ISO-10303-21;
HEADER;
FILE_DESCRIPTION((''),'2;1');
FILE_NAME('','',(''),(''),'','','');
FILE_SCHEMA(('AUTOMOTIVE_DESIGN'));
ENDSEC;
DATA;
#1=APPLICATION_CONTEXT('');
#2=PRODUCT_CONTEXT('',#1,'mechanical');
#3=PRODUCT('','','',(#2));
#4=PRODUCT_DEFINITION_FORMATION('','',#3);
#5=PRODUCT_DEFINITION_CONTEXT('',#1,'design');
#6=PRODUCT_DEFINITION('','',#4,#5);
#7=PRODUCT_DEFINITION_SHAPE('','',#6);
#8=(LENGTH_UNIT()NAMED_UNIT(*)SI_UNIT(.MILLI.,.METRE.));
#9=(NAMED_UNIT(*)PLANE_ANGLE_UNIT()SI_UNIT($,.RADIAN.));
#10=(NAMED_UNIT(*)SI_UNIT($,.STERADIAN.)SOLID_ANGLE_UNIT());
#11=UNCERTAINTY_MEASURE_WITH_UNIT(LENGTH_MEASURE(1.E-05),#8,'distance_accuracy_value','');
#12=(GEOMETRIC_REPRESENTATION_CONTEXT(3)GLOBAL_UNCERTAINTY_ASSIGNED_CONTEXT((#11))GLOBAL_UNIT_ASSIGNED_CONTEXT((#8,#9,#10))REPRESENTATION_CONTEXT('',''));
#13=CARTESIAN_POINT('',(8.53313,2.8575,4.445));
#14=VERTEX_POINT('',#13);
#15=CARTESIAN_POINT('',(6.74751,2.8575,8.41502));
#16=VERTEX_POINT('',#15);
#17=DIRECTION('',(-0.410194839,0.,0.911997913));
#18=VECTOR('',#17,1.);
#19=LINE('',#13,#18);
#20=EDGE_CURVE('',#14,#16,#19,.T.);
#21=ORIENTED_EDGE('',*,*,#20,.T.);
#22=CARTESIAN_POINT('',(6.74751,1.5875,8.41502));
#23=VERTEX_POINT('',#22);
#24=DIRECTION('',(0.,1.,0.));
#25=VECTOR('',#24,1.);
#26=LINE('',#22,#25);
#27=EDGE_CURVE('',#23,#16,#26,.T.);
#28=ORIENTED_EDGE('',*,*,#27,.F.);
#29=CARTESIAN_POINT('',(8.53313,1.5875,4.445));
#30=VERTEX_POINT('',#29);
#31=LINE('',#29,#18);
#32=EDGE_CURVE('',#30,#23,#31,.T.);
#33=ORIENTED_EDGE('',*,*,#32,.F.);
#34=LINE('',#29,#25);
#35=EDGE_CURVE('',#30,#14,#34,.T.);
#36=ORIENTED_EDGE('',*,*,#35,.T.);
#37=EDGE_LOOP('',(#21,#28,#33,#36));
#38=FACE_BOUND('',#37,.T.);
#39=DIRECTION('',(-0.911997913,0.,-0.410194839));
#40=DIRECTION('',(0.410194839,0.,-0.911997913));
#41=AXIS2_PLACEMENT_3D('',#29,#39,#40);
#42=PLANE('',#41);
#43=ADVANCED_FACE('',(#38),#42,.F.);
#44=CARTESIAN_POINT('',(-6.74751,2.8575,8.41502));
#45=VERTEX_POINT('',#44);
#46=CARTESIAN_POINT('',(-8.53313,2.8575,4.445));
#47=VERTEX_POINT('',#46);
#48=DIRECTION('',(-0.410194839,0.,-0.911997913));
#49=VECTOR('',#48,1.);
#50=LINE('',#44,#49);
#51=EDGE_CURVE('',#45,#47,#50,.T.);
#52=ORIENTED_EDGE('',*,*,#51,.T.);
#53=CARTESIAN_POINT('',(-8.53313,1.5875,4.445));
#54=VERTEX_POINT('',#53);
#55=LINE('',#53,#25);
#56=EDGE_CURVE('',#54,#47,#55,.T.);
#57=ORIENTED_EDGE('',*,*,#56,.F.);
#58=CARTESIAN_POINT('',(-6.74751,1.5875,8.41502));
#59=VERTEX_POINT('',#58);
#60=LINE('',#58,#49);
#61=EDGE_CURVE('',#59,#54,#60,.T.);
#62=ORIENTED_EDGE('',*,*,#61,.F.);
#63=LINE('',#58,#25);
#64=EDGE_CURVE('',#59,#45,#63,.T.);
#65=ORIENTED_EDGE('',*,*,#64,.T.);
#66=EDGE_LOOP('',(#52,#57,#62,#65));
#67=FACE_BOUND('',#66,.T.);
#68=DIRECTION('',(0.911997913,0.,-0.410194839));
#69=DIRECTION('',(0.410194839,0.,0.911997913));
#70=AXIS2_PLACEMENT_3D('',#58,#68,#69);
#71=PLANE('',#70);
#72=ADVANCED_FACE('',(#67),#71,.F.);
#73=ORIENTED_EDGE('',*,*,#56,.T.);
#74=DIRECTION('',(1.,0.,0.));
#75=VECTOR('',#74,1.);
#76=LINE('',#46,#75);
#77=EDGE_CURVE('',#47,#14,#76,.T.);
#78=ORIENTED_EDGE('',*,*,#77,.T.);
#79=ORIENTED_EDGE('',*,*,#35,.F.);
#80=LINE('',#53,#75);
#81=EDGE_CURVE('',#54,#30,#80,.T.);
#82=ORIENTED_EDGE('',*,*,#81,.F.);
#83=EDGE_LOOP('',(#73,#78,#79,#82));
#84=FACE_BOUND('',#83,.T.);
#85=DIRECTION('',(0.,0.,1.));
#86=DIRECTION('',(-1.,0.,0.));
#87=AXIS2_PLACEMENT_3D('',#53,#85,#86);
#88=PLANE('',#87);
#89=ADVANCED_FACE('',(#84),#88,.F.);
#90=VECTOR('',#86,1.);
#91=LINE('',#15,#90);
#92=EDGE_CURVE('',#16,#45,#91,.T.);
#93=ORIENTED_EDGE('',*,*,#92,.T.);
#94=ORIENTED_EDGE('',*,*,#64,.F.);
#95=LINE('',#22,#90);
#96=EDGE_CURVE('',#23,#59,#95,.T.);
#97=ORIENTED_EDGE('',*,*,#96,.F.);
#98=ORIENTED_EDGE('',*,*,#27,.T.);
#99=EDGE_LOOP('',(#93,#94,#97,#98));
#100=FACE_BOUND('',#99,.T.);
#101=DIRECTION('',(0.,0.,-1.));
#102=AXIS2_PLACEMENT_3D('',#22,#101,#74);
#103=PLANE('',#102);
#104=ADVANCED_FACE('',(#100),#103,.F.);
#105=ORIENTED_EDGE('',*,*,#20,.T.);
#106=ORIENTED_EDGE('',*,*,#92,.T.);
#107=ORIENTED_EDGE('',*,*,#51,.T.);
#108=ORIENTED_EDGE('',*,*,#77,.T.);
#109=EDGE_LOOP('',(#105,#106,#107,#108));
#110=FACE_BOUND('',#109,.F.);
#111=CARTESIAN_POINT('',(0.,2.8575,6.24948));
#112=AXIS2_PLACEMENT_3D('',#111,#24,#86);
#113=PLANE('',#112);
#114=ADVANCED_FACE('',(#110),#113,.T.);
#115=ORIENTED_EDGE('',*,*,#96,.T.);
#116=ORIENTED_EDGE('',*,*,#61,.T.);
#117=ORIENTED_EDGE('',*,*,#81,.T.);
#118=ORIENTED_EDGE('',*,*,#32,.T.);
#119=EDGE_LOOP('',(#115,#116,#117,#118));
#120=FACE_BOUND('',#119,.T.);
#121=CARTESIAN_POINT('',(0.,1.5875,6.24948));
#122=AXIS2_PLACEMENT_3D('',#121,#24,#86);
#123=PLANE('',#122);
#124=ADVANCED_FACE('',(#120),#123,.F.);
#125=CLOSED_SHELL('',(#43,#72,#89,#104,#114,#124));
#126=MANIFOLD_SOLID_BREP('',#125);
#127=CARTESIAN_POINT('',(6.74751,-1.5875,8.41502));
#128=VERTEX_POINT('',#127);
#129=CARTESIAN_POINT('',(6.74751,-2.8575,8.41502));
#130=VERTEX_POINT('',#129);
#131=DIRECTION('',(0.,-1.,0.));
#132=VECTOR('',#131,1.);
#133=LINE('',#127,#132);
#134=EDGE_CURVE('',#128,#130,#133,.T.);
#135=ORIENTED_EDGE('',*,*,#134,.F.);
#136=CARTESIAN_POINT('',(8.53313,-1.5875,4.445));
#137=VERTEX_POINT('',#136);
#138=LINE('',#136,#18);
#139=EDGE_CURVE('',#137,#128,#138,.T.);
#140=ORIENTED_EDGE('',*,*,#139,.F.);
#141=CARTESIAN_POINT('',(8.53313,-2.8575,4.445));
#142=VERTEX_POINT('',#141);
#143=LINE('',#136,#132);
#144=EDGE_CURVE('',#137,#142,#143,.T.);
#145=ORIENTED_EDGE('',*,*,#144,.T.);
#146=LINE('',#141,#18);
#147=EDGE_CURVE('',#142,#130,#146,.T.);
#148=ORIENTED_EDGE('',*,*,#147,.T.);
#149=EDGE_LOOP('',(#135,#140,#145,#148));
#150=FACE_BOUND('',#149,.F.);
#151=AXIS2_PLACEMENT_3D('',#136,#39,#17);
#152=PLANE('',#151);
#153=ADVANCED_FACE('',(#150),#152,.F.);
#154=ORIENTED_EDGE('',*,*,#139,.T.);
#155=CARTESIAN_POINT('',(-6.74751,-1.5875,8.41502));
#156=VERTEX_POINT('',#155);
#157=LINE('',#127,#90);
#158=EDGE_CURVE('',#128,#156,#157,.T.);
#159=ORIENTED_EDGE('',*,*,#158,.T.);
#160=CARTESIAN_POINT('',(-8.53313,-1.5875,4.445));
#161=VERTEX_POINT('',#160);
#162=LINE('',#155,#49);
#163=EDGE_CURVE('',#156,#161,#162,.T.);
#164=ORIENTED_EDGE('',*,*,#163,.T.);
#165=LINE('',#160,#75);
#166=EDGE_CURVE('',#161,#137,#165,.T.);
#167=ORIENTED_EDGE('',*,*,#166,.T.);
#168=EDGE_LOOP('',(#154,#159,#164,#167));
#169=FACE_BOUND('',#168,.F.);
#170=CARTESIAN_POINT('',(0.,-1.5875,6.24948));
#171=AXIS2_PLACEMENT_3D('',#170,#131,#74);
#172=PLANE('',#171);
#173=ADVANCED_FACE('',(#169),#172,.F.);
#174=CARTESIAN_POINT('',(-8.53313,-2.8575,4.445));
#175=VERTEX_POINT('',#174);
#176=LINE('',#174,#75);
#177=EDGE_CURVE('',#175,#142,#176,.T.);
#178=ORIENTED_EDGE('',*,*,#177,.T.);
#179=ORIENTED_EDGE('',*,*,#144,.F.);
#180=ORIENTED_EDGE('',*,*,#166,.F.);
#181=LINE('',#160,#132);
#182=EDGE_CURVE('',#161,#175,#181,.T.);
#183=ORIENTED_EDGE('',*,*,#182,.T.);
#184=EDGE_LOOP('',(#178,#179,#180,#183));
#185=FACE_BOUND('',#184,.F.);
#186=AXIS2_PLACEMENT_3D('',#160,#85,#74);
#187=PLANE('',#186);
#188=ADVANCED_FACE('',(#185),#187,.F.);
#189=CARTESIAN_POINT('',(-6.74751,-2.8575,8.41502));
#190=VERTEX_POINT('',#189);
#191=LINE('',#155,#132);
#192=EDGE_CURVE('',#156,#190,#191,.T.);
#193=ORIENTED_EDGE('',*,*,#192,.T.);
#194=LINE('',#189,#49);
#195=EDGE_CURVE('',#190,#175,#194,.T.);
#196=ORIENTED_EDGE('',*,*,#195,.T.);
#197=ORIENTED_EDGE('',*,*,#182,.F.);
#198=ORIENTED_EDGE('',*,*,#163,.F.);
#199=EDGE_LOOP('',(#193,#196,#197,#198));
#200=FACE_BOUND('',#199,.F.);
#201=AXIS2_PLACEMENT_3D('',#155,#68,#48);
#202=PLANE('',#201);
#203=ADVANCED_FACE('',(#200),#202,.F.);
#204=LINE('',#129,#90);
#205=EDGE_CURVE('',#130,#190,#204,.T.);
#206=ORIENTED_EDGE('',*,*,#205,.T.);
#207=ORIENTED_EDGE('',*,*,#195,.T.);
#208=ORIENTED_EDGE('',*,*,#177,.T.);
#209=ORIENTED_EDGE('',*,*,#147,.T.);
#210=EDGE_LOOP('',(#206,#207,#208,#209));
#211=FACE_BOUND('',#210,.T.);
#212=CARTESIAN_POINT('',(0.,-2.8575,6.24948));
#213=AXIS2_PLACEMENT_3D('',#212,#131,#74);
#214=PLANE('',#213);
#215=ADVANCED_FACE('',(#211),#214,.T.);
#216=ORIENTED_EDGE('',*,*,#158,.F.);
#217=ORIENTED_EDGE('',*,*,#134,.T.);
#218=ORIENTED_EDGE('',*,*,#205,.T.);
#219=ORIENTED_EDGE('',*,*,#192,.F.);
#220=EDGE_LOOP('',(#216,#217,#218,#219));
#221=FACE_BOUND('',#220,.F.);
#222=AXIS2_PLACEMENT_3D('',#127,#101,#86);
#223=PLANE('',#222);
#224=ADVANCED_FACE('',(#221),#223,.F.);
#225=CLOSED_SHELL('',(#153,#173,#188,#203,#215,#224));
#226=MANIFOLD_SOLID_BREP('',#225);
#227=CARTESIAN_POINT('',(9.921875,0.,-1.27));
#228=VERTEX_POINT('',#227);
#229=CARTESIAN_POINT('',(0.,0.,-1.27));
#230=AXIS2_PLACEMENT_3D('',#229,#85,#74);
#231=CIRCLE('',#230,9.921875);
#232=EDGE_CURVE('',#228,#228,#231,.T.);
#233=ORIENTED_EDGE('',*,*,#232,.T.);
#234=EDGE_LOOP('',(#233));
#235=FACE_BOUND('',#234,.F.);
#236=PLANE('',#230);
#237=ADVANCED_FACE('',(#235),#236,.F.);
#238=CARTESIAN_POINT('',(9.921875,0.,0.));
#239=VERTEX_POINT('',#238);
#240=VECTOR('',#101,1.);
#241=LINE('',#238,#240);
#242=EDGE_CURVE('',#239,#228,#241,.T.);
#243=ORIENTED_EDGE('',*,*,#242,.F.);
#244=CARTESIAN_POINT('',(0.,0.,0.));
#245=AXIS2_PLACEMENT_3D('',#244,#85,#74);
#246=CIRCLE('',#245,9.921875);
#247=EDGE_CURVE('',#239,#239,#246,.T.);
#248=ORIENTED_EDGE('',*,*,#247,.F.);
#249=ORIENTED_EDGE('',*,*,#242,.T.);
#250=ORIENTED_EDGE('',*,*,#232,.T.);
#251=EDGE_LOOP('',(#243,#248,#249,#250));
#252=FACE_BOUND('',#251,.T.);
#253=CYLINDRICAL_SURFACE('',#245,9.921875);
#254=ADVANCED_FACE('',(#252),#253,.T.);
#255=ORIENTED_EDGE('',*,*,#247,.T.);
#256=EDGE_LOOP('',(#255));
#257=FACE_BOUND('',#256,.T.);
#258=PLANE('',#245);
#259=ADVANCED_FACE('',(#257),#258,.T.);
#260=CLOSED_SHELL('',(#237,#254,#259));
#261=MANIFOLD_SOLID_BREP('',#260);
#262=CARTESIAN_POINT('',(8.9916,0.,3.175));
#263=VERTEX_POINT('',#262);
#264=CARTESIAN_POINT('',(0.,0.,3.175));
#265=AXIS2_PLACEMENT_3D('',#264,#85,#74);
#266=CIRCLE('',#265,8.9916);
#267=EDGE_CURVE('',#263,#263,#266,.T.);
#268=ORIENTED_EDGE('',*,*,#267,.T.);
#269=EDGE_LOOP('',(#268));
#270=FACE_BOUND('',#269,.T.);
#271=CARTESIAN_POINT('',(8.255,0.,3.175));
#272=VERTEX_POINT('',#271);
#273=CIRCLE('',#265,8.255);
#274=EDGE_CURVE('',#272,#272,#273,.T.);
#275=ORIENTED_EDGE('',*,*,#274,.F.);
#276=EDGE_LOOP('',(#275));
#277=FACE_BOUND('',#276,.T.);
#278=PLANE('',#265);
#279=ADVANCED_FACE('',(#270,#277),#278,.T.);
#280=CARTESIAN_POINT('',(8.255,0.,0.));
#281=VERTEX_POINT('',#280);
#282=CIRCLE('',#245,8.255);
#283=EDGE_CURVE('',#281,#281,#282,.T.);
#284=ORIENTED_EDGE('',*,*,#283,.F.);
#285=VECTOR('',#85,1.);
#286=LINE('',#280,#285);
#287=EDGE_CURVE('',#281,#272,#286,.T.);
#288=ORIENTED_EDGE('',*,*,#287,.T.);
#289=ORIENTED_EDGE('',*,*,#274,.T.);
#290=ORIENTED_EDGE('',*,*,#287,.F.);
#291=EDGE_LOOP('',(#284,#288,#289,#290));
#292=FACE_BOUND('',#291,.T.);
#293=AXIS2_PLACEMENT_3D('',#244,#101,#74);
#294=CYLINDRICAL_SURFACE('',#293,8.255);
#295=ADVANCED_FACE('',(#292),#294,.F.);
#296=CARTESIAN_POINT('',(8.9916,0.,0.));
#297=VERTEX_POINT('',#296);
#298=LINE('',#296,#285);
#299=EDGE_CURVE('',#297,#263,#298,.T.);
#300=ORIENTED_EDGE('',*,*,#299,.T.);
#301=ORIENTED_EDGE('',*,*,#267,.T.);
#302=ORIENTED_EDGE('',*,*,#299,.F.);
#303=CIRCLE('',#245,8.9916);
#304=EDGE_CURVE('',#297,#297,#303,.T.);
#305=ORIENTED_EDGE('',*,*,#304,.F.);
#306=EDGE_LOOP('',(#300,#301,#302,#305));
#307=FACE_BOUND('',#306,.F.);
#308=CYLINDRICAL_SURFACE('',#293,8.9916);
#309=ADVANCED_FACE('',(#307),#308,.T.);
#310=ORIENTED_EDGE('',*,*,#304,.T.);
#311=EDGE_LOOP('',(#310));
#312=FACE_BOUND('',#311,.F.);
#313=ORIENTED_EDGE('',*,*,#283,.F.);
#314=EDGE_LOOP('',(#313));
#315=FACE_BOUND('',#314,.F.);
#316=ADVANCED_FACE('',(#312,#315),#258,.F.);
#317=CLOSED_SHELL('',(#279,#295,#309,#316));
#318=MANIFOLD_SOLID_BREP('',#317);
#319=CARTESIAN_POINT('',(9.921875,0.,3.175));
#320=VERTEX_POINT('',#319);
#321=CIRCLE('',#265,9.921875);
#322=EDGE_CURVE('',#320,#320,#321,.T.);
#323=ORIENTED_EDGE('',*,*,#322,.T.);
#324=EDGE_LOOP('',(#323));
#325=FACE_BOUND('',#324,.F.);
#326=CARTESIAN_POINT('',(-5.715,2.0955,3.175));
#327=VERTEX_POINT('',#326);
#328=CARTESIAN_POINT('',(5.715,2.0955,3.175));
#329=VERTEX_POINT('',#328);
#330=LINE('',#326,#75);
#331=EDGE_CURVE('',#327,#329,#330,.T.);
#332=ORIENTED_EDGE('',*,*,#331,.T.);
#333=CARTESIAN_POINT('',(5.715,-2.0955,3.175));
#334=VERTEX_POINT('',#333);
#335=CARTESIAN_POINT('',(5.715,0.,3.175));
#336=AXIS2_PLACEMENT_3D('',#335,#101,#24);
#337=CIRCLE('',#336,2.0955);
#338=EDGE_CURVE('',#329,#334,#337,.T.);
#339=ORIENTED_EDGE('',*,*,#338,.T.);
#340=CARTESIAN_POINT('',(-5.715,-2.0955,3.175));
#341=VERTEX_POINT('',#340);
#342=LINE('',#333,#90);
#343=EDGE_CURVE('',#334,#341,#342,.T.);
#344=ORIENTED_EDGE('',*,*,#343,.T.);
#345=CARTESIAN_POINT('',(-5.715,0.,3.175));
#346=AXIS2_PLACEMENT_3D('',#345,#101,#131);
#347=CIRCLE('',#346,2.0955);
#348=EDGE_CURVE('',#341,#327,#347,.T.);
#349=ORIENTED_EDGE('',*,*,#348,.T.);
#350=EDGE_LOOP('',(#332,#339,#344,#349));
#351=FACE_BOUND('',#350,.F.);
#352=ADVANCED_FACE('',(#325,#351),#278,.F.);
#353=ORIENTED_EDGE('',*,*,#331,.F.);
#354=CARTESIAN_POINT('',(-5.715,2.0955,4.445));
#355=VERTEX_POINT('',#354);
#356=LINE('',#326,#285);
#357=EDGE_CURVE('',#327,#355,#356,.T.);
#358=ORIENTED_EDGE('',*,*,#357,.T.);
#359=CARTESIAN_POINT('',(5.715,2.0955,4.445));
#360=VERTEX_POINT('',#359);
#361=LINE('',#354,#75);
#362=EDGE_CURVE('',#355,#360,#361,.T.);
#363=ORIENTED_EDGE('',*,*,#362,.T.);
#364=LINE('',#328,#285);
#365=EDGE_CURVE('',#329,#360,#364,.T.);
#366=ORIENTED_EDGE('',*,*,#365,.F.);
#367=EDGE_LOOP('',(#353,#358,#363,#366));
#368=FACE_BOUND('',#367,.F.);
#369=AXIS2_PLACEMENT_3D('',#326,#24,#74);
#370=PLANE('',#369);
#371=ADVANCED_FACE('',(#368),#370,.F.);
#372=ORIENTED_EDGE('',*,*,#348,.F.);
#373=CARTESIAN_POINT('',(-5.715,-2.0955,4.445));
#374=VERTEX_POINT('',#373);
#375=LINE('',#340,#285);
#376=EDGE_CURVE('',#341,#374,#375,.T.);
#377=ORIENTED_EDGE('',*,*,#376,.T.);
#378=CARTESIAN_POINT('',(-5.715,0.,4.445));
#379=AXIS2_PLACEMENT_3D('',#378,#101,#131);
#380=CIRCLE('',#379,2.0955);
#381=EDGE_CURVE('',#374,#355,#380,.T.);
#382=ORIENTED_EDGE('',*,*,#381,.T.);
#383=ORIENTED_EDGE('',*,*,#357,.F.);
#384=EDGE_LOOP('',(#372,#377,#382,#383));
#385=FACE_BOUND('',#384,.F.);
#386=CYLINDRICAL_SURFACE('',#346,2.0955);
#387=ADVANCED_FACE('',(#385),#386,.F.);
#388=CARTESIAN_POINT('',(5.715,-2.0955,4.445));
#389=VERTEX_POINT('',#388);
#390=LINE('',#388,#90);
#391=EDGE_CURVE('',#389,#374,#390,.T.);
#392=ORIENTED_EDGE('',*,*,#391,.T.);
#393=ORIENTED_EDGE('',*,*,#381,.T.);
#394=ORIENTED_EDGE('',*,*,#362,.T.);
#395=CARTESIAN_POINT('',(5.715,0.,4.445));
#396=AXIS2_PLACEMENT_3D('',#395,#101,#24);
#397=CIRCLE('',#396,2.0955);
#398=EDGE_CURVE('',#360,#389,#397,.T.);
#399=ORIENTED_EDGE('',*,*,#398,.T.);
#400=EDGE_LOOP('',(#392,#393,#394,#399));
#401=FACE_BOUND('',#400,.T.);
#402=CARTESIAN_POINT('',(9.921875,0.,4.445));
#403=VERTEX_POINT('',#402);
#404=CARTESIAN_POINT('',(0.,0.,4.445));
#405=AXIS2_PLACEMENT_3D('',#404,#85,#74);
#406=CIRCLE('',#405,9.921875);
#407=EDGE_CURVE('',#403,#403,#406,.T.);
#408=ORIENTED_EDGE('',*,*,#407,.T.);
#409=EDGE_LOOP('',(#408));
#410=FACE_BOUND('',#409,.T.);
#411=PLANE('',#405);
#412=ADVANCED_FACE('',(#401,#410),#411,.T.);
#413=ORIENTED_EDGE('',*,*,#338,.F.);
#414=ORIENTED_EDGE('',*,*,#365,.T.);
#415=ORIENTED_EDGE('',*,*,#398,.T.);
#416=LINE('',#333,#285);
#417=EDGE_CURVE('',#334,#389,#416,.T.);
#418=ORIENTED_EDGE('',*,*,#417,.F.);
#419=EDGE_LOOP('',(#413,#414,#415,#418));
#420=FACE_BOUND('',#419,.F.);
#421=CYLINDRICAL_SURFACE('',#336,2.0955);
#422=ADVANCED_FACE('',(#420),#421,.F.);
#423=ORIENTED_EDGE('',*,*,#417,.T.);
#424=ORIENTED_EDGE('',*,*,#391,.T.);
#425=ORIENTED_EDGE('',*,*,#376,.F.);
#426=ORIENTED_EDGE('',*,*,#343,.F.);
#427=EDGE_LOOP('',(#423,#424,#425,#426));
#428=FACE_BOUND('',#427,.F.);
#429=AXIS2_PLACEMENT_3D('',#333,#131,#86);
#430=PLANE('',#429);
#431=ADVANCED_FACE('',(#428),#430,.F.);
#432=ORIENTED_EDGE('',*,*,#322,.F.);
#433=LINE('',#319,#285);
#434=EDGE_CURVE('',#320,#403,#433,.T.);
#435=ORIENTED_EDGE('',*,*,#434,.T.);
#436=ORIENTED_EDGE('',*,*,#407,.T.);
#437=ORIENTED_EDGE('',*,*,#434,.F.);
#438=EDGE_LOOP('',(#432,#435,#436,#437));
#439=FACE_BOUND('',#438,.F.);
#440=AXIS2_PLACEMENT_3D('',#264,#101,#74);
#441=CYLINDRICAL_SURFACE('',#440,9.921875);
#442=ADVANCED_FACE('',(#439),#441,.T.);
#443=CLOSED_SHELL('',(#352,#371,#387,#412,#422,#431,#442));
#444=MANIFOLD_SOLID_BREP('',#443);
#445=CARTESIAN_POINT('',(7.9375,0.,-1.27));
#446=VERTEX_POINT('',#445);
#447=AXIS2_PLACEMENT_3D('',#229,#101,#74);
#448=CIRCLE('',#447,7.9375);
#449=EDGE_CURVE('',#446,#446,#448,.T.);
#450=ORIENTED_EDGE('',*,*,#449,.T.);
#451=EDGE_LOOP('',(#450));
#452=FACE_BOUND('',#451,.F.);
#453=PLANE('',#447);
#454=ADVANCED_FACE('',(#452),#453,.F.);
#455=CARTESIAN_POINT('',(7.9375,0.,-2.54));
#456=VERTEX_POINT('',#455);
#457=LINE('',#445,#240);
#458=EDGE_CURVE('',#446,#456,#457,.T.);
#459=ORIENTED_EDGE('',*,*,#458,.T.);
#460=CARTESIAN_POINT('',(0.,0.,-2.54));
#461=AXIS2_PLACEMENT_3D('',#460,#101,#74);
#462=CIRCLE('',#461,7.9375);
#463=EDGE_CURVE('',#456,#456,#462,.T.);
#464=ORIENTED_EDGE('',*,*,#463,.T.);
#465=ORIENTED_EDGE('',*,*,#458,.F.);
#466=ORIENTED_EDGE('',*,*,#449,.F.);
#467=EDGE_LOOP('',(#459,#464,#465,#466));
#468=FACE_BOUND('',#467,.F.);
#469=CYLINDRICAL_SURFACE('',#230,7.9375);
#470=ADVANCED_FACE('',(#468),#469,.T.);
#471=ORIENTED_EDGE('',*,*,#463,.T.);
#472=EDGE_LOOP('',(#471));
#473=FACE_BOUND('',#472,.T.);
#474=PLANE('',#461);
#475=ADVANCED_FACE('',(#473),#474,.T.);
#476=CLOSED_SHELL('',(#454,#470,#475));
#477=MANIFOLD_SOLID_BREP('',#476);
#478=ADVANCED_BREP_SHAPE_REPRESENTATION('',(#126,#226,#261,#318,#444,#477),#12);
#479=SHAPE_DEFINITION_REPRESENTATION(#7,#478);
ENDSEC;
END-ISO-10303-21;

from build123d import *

# Parameters (mm, degrees)
F0_R      = 9.921875
F0_R_2    = 8.9916
F0_R_3    = 8.255
F1_DEPTH  = 1.27
F3_R      = 7.9375
F4_DEPTH  = 1.27
F5_DEPTH  = 3.175
F7_R      = 9.921875
F8_DEPTH  = 1.27
F11_DEPTH = 1.27


with BuildPart() as f1:
    # F0 (on Top) → F1 (new body)
    with BuildSketch(Plane.XY):
        Circle(F0_R)
        Circle(F0_R_2, mode=Mode.SUBTRACT)
        Circle(F0_R_2)
        Circle(F0_R_3, mode=Mode.SUBTRACT)
        Circle(F0_R_3)
        with BuildLine():
            ThreePointArc((-5.715, -2.0955), (-7.8105, 0), (-5.715, 2.0955))
            Line((-5.715, 2.0955), (5.715, 2.0955))
            ThreePointArc((5.715, 2.0955), (7.8105, 0), (5.715, -2.0955))
            Line((5.715, -2.0955), (-5.715, -2.0955))
        make_face(mode=Mode.SUBTRACT)
        with BuildLine():
            Line((5.715, 2.0955), (-5.715, 2.0955))
            ThreePointArc((-5.715, 2.0955), (-7.8105, 0), (-5.715, -2.0955))
            Line((-5.715, -2.0955), (5.715, -2.0955))
            ThreePointArc((5.715, -2.0955), (7.8105, 0), (5.715, 2.0955))
        make_face()
    extrude(amount=-F1_DEPTH)


with BuildPart() as f4:
    # F3 (on offset) → F4 (new body)
    with BuildSketch(Plane(origin=(0, 0, -1.27), x_dir=(1, 0, 0), z_dir=(0, 0, -1))):
        Circle(F3_R)
    extrude(amount=F4_DEPTH)


with BuildPart() as f5:
    # F0 (on Top) → F5 (new body)
    with BuildSketch(Plane.XY):
        Circle(F0_R_2)
        Circle(F0_R_3, mode=Mode.SUBTRACT)
    extrude(amount=F5_DEPTH)


with BuildPart() as f8:
    # F7 (on offset) → F8 (new body)
    with BuildSketch(Plane.XY.offset(3.175)):
        Circle(F7_R)
        with BuildLine():
            ThreePointArc((-5.715, -2.0955), (-7.8105, 0), (-5.715, 2.0955))
            Line((-5.715, 2.0955), (5.715, 2.0955))
            ThreePointArc((5.715, 2.0955), (7.8105, 0), (5.715, -2.0955))
            Line((5.715, -2.0955), (-5.715, -2.0955))
        make_face(mode=Mode.SUBTRACT)
    extrude(amount=F8_DEPTH)


with BuildPart() as f11:
    # F10 (on offset) → F11 (new body)
    with BuildSketch(Plane.XZ.offset(1.5875)):
        Polygon((6.74751, 8.41502), (-6.74751, 8.41502), (-8.53313, 4.445), (8.53313, 4.445), align=None)
    extrude(amount=F11_DEPTH)


with BuildPart() as f12_1:
    # F12: instance of F11
    add(f11.part.mirror(Plane.XZ))


solid = Compound([f1.part, f4.part, f5.part, f8.part, f11.part, f12_1.part])
